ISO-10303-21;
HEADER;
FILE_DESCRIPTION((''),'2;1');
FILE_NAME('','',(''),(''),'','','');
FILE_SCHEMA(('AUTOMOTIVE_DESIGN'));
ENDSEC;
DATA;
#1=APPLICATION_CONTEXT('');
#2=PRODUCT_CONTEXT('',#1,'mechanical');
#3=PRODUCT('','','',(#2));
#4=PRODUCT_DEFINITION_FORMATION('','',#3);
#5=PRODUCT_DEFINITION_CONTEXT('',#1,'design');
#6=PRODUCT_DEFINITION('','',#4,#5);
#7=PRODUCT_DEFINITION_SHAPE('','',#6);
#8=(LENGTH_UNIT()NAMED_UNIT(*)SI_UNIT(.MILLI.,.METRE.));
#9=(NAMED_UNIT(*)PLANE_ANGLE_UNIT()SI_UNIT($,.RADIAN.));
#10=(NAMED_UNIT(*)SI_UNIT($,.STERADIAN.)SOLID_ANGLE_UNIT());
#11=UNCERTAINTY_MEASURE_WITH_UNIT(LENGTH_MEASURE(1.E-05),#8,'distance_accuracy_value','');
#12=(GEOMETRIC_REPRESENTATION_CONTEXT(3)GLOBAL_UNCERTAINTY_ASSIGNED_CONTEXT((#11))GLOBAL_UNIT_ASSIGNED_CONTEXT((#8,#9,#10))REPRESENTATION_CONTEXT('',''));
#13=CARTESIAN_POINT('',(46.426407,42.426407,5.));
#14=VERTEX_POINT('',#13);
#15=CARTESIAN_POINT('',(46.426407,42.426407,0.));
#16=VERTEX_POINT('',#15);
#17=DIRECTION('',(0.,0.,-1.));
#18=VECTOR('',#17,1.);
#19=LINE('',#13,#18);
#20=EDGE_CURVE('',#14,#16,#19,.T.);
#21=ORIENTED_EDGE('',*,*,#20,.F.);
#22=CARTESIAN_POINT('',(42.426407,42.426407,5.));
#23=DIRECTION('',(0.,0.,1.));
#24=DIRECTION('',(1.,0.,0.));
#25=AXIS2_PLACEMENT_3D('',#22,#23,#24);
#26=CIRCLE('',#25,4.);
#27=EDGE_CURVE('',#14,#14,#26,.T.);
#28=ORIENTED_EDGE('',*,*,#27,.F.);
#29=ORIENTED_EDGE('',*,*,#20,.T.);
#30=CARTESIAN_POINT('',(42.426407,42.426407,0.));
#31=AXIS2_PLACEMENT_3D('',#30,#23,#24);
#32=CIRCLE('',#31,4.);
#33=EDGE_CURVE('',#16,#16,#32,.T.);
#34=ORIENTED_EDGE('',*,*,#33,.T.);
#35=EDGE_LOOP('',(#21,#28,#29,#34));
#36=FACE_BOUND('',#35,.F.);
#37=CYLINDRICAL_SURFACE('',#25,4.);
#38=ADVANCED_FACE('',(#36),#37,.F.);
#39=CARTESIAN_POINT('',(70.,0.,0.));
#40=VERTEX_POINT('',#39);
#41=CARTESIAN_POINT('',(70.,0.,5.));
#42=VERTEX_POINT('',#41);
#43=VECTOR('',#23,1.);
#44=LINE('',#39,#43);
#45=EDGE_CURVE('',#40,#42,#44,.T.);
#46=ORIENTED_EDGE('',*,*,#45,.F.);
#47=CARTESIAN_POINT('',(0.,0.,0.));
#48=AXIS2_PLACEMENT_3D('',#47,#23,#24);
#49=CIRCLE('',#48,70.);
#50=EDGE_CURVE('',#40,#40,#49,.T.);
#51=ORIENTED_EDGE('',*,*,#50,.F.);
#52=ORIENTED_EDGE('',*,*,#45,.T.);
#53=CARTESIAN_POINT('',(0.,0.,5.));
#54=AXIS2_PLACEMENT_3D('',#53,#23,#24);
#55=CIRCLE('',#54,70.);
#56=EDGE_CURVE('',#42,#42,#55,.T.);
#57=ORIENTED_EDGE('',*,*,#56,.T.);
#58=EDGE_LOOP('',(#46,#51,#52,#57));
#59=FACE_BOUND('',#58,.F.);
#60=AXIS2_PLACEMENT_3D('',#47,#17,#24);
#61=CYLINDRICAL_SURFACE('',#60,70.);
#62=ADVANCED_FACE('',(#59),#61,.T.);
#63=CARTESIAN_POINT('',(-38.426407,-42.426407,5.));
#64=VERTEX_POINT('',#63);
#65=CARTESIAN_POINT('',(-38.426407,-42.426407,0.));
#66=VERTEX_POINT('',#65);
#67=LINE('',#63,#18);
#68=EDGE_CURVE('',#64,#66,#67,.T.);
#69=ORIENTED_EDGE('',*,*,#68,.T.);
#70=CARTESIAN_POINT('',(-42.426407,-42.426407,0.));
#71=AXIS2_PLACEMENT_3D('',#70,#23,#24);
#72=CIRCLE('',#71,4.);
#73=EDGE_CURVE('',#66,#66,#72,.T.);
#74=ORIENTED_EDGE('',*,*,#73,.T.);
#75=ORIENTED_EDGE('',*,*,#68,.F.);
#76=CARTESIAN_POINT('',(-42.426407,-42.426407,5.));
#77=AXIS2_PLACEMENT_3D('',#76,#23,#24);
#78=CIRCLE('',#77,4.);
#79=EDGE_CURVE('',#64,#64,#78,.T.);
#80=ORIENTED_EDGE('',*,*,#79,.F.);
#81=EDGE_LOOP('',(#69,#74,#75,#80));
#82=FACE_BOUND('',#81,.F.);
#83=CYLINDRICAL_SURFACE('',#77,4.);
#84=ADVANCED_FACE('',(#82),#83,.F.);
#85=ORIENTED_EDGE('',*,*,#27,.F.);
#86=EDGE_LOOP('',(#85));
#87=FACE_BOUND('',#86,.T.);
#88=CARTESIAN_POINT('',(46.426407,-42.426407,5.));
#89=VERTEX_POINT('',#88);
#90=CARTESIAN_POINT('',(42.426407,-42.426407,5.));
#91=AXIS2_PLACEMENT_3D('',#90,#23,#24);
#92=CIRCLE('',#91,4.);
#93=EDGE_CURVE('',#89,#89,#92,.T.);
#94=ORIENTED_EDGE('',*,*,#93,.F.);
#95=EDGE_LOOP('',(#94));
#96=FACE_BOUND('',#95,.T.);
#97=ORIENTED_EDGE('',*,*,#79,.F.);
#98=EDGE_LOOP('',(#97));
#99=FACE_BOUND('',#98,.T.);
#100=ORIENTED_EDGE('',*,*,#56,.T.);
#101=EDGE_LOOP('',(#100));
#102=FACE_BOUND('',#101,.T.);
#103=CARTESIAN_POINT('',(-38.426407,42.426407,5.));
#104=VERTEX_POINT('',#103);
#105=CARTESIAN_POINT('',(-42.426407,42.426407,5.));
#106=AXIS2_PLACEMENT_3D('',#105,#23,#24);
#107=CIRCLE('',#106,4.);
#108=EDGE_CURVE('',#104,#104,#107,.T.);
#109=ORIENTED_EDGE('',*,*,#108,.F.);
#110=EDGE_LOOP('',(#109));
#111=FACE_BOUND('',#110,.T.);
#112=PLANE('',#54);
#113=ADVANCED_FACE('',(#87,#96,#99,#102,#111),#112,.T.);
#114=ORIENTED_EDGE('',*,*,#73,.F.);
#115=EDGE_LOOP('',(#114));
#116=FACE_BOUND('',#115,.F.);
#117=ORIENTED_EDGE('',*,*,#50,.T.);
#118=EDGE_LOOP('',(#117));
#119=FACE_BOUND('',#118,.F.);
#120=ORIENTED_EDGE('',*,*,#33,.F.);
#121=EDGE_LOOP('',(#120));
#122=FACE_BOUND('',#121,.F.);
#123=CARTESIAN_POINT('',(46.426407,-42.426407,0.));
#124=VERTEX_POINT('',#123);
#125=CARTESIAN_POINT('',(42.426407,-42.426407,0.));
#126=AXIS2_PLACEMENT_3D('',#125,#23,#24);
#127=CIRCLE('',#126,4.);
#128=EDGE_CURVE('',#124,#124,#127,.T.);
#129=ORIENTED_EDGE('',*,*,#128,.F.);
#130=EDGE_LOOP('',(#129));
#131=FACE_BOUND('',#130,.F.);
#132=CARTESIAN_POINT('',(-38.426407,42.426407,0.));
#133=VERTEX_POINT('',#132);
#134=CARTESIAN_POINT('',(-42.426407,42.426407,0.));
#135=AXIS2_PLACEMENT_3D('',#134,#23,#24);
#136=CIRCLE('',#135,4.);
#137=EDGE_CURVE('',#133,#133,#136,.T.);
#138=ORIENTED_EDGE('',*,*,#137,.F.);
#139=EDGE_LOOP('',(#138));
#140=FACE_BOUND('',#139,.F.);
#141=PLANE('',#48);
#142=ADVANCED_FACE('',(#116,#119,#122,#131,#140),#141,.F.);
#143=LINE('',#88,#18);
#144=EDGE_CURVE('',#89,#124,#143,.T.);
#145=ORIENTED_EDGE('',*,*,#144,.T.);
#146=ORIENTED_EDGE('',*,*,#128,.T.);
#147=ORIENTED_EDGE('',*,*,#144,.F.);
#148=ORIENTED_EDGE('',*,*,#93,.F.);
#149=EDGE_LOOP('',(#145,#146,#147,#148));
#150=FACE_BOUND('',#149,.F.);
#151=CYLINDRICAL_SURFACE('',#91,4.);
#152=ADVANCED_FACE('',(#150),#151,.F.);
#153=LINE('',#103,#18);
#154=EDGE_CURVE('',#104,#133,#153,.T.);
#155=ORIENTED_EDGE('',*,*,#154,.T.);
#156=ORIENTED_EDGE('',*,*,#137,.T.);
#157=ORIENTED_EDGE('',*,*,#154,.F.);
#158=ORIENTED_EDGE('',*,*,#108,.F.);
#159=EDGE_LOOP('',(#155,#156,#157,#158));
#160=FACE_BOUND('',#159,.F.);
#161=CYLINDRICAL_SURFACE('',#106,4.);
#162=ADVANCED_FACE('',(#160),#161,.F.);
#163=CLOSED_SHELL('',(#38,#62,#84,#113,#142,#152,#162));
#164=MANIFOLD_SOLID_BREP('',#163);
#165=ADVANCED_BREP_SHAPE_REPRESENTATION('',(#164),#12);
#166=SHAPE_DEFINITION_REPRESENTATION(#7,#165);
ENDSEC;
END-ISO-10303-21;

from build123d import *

# Parameters (mm, degrees)
SKETCH_R     = 70
PAD_DEPTH    = 5
SKETCH001_R  = 4
POCKET_DEPTH = 5


with BuildPart() as part:
    # Sketch → Pad (new body)
    with BuildSketch(Plane.XY):
        Circle(SKETCH_R)
    extrude(amount=PAD_DEPTH)

    # Sketch001 → Pocket (cut)
    with BuildSketch(Plane.XY.offset(5)):
        with Locations((-42.426407, 42.426407)):
            Circle(SKETCH001_R)
        with Locations((42.426407, 42.426407)):
            Circle(SKETCH001_R)
        with Locations((42.426407, -42.426407)):
            Circle(SKETCH001_R)
        with Locations((-42.426407, -42.426407)):
            Circle(SKETCH001_R)
    extrude(amount=-POCKET_DEPTH, mode=Mode.SUBTRACT)


solid = part.part
